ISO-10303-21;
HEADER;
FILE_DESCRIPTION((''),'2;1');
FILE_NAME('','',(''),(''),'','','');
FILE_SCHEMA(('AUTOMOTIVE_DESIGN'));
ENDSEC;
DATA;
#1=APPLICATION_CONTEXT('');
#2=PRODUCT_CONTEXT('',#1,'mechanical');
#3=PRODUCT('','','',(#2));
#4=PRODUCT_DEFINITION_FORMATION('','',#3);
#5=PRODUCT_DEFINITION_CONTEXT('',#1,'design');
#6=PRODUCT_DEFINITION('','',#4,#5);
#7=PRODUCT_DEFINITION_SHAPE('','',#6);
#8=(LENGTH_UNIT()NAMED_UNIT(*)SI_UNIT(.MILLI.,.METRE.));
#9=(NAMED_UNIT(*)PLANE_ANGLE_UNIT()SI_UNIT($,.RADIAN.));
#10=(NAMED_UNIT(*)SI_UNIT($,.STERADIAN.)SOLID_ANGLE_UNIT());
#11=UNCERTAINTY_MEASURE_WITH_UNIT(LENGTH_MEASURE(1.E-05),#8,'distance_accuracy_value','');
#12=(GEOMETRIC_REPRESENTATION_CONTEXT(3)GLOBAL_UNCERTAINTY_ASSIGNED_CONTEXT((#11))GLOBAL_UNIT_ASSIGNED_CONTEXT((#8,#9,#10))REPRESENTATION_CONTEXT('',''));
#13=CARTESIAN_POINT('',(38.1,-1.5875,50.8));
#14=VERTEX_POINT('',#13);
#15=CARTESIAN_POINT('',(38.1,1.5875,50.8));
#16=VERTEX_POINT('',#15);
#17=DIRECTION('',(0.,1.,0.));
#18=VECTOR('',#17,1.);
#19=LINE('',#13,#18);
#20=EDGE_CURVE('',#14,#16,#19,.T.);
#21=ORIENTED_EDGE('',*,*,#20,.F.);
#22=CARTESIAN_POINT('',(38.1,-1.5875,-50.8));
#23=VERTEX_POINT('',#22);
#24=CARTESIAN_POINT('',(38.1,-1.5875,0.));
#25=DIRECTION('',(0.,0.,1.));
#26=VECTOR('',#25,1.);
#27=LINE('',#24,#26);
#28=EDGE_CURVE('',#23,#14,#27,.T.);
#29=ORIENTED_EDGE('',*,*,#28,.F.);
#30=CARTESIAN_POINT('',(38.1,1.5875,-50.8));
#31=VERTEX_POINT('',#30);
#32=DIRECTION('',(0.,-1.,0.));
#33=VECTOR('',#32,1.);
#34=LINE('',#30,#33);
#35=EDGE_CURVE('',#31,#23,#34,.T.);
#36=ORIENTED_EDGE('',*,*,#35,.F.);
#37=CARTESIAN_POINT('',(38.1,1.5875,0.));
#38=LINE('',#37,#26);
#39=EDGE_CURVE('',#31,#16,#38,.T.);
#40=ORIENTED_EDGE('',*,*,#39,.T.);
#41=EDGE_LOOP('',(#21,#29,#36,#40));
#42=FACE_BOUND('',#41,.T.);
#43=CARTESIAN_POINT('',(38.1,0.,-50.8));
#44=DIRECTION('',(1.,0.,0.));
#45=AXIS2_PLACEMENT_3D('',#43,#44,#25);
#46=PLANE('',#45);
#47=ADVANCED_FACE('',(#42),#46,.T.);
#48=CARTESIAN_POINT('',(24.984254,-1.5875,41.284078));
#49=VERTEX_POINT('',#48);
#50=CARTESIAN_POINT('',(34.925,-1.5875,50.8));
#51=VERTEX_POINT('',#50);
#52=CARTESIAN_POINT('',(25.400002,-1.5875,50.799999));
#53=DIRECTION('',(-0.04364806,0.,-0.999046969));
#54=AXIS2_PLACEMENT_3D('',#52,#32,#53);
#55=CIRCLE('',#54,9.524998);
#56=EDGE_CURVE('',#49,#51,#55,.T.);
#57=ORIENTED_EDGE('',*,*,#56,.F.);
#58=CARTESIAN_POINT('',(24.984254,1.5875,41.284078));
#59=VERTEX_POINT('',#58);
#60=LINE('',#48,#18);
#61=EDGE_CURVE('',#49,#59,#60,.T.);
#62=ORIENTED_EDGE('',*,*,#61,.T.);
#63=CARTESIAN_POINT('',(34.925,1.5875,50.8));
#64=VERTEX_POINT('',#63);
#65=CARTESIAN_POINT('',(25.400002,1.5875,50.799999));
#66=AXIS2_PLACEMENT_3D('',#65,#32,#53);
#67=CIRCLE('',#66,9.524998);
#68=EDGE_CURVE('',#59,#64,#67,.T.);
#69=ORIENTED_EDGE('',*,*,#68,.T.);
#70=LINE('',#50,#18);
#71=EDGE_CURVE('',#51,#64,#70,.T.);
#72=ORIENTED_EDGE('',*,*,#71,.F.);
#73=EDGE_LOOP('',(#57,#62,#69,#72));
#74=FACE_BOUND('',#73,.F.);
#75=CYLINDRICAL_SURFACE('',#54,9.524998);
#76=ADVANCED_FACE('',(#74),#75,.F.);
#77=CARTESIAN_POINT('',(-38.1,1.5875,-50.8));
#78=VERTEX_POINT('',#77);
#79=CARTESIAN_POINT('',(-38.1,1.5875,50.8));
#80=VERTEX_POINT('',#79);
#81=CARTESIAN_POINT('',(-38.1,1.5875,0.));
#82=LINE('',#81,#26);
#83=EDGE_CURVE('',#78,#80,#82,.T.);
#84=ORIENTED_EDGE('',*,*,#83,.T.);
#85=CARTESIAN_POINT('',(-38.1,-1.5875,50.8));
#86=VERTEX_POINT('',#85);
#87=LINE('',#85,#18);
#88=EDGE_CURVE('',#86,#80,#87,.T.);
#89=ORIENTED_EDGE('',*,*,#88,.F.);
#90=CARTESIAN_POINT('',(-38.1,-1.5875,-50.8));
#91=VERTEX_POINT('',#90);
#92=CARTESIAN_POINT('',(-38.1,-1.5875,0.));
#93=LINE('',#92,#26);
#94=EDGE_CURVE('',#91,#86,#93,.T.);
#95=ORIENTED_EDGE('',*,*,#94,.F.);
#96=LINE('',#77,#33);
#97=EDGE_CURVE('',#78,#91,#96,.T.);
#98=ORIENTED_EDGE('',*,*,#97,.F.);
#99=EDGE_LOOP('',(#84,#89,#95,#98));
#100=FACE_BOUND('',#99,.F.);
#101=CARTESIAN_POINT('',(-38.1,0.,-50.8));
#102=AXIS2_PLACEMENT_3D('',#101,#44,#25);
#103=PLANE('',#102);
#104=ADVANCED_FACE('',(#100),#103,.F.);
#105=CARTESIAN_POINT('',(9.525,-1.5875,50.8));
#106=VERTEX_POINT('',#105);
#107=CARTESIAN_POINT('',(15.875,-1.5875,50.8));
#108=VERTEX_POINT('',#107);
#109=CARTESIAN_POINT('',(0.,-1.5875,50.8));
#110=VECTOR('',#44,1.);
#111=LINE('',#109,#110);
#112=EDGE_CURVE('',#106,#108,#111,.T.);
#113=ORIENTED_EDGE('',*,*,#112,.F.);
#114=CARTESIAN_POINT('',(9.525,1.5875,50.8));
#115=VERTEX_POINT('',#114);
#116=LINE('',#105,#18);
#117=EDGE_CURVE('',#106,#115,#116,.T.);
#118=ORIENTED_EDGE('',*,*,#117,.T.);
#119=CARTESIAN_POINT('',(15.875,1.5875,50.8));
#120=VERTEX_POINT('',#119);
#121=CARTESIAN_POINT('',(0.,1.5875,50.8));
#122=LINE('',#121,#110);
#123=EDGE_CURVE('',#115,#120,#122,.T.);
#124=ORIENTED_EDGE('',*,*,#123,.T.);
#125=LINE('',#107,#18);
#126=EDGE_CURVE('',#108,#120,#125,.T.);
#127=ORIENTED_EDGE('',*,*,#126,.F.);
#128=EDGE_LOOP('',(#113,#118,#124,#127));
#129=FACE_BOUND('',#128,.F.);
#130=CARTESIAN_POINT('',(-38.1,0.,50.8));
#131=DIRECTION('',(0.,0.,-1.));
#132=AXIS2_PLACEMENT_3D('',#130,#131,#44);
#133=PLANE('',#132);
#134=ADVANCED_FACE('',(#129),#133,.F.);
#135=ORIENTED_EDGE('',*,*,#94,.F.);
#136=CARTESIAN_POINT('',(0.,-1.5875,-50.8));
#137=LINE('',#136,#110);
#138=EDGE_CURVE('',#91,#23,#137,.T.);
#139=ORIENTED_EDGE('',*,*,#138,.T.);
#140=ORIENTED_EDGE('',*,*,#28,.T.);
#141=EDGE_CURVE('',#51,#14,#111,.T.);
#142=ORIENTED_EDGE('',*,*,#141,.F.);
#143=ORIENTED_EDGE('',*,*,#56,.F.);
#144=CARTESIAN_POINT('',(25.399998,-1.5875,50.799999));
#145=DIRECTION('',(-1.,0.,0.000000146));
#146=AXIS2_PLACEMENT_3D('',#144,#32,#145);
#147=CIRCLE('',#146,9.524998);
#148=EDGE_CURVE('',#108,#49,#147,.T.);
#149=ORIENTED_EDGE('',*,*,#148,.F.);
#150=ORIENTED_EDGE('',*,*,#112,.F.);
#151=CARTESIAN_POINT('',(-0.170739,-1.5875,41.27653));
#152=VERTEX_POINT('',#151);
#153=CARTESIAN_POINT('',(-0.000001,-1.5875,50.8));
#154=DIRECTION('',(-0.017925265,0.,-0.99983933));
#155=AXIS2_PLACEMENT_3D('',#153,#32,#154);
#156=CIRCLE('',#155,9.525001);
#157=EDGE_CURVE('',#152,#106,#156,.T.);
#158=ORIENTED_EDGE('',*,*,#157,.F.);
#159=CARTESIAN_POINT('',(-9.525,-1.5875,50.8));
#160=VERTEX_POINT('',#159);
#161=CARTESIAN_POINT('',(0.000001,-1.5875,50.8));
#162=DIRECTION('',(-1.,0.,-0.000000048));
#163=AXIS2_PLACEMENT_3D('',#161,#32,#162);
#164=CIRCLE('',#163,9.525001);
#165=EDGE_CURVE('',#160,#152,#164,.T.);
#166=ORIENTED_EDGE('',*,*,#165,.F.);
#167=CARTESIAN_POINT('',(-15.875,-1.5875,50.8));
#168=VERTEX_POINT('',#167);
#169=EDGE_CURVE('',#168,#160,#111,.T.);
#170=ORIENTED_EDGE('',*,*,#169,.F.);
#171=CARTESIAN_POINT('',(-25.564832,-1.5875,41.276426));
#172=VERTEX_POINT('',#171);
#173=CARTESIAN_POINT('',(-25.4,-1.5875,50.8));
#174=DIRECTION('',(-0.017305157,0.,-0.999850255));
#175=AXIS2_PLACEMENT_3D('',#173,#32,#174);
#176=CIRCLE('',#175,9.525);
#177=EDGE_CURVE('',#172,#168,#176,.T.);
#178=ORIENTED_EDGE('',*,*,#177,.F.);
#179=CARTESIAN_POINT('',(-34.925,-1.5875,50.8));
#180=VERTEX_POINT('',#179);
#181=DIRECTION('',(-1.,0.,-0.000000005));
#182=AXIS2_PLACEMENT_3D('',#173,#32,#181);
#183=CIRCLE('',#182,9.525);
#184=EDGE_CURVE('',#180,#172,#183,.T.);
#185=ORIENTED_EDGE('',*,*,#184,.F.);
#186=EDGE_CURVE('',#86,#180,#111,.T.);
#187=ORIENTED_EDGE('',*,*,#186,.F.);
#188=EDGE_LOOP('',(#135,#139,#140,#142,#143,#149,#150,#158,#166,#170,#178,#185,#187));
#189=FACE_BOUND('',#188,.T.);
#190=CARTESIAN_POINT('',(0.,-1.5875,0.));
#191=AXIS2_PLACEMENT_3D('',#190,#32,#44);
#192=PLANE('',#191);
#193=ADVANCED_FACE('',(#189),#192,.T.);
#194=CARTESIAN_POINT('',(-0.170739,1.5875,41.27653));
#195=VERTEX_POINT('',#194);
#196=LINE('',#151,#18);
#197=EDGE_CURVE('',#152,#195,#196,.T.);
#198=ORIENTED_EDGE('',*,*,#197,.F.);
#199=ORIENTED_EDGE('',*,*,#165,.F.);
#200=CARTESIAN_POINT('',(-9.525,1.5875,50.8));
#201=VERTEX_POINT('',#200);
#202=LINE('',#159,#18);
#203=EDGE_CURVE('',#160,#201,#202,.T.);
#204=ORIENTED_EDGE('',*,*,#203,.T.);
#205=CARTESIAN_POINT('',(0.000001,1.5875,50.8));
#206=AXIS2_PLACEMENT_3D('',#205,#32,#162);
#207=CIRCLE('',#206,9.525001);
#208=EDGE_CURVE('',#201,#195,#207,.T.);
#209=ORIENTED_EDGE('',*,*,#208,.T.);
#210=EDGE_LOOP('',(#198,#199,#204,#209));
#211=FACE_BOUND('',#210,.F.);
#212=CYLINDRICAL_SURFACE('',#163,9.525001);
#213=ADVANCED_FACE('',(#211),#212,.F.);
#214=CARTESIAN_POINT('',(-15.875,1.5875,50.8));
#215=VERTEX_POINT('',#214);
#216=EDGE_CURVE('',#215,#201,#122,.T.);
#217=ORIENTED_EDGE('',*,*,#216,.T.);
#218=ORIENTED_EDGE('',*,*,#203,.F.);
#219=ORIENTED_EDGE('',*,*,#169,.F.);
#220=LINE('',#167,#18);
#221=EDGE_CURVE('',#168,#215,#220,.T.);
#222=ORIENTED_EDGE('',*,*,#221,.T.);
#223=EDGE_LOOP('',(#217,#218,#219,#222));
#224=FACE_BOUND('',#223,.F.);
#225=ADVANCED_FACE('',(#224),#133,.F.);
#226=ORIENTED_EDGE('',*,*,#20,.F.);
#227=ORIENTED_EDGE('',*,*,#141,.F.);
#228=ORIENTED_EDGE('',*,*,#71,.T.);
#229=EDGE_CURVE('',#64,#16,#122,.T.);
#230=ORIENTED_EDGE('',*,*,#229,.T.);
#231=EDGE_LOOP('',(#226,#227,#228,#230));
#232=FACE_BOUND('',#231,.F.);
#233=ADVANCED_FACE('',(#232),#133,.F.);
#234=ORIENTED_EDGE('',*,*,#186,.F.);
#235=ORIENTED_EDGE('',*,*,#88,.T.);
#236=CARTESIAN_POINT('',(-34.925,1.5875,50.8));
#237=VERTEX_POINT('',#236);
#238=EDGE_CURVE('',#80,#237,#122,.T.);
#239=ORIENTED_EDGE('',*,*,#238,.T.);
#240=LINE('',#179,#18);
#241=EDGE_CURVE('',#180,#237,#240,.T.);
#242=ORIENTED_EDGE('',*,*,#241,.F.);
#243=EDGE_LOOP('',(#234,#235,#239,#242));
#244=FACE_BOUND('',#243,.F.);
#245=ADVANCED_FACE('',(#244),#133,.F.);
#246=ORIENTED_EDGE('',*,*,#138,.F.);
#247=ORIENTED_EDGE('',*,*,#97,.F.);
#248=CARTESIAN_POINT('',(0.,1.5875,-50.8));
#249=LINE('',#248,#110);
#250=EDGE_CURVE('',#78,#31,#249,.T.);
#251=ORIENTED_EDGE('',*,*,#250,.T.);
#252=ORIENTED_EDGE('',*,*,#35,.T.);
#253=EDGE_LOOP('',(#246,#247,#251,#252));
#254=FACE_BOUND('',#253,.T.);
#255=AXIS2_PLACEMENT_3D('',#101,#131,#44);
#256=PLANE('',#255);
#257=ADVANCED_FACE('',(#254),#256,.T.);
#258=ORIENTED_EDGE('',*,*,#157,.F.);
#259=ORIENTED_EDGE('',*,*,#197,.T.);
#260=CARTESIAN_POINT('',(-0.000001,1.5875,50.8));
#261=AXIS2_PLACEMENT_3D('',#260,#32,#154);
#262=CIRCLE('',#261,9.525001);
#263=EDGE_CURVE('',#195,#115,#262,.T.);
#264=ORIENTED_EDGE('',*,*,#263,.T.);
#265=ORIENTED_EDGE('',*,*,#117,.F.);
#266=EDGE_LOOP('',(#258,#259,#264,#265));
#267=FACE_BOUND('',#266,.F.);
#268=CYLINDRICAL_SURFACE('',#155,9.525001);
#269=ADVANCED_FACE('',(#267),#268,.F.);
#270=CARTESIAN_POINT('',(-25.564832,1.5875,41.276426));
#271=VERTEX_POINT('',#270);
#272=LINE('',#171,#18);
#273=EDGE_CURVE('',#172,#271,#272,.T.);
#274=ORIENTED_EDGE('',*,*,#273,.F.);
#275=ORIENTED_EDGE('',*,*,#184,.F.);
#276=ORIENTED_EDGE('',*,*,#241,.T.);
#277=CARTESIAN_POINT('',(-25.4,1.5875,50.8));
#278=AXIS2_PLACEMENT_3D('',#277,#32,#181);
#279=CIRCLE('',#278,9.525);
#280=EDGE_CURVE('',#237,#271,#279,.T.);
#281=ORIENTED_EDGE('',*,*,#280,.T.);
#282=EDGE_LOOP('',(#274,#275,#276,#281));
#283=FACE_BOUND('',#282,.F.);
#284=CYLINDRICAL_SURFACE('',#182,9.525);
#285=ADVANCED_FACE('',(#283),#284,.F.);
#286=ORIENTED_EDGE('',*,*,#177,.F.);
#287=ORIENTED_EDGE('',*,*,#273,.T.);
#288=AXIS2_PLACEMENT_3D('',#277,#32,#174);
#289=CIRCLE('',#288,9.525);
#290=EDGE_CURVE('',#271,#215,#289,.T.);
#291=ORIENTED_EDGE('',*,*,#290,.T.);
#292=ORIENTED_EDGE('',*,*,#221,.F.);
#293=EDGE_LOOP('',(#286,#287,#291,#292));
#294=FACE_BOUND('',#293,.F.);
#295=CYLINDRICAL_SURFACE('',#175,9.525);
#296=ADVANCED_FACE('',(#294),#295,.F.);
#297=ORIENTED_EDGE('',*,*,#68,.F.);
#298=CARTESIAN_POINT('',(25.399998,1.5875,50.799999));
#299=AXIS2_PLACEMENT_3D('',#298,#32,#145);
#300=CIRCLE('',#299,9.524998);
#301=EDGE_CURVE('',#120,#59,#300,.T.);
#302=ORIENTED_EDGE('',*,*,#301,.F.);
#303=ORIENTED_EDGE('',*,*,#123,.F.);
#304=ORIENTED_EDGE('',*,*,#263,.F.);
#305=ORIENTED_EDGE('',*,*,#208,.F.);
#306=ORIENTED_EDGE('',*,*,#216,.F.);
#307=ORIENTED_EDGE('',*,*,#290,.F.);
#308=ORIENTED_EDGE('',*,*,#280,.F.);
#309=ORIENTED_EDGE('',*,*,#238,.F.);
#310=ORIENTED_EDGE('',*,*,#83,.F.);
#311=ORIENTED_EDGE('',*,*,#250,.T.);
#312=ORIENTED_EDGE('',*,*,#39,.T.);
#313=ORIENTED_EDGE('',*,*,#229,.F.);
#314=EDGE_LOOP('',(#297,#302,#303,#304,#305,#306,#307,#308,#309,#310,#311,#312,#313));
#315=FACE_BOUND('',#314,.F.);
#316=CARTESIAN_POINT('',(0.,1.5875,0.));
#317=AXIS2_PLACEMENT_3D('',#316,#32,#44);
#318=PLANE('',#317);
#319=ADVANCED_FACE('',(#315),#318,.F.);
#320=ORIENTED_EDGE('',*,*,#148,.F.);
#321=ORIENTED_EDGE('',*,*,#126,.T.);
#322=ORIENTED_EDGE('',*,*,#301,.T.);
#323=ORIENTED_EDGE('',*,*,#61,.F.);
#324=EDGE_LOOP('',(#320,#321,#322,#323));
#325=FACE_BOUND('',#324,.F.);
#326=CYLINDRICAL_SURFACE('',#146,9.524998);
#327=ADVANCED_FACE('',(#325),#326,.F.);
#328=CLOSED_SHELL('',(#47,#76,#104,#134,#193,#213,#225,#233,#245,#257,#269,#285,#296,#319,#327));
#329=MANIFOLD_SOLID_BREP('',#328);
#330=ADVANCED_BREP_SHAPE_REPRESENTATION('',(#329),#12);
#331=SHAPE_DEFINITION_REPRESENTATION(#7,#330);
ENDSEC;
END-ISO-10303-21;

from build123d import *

# Parameters (mm, degrees)
F0_W     = 76.2
F0_H     = 101.6
F1_DEPTH = 1.5875
F3_DEPTH = 3.176


with BuildPart() as f1:
    # F0 (on Front) → F1 (new body, symmetric)
    with BuildSketch(Plane.XZ):
        Rectangle(F0_W, F0_H)
    extrude(amount=F1_DEPTH, both=True)

    # F2 (on face) → F3 (cut, through all)
    with BuildSketch(Plane.XZ.offset(1.5875)):
        with BuildLine():
            ThreePointArc((-34.925, 50.8), (-32.193219, 44.123339), (-25.564832, 41.276426))
            ThreePointArc((-25.564832, 41.276426), (-18.723339, 44.006781), (-15.875, 50.8))
            Line((-15.875, 50.8), (-34.925, 50.8))
        make_face()
        with BuildLine():
            ThreePointArc((-9.525, 50.8), (-6.795289, 44.125446), (-0.170739, 41.27653))
            ThreePointArc((-0.170739, 41.27653), (6.674554, 44.004711), (9.525, 50.8))
            Line((9.525, 50.8), (-9.525, 50.8))
        make_face()
        with BuildLine():
            ThreePointArc((15.875, 50.8), (18.519389, 44.213436), (24.984254, 41.284078))
            ThreePointArc((24.984254, 41.284078), (31.986564, 43.919389), (34.925, 50.8))
            Line((34.925, 50.8), (15.875, 50.8))
        make_face()
    extrude(amount=-F3_DEPTH, mode=Mode.SUBTRACT)


solid = f1.part
